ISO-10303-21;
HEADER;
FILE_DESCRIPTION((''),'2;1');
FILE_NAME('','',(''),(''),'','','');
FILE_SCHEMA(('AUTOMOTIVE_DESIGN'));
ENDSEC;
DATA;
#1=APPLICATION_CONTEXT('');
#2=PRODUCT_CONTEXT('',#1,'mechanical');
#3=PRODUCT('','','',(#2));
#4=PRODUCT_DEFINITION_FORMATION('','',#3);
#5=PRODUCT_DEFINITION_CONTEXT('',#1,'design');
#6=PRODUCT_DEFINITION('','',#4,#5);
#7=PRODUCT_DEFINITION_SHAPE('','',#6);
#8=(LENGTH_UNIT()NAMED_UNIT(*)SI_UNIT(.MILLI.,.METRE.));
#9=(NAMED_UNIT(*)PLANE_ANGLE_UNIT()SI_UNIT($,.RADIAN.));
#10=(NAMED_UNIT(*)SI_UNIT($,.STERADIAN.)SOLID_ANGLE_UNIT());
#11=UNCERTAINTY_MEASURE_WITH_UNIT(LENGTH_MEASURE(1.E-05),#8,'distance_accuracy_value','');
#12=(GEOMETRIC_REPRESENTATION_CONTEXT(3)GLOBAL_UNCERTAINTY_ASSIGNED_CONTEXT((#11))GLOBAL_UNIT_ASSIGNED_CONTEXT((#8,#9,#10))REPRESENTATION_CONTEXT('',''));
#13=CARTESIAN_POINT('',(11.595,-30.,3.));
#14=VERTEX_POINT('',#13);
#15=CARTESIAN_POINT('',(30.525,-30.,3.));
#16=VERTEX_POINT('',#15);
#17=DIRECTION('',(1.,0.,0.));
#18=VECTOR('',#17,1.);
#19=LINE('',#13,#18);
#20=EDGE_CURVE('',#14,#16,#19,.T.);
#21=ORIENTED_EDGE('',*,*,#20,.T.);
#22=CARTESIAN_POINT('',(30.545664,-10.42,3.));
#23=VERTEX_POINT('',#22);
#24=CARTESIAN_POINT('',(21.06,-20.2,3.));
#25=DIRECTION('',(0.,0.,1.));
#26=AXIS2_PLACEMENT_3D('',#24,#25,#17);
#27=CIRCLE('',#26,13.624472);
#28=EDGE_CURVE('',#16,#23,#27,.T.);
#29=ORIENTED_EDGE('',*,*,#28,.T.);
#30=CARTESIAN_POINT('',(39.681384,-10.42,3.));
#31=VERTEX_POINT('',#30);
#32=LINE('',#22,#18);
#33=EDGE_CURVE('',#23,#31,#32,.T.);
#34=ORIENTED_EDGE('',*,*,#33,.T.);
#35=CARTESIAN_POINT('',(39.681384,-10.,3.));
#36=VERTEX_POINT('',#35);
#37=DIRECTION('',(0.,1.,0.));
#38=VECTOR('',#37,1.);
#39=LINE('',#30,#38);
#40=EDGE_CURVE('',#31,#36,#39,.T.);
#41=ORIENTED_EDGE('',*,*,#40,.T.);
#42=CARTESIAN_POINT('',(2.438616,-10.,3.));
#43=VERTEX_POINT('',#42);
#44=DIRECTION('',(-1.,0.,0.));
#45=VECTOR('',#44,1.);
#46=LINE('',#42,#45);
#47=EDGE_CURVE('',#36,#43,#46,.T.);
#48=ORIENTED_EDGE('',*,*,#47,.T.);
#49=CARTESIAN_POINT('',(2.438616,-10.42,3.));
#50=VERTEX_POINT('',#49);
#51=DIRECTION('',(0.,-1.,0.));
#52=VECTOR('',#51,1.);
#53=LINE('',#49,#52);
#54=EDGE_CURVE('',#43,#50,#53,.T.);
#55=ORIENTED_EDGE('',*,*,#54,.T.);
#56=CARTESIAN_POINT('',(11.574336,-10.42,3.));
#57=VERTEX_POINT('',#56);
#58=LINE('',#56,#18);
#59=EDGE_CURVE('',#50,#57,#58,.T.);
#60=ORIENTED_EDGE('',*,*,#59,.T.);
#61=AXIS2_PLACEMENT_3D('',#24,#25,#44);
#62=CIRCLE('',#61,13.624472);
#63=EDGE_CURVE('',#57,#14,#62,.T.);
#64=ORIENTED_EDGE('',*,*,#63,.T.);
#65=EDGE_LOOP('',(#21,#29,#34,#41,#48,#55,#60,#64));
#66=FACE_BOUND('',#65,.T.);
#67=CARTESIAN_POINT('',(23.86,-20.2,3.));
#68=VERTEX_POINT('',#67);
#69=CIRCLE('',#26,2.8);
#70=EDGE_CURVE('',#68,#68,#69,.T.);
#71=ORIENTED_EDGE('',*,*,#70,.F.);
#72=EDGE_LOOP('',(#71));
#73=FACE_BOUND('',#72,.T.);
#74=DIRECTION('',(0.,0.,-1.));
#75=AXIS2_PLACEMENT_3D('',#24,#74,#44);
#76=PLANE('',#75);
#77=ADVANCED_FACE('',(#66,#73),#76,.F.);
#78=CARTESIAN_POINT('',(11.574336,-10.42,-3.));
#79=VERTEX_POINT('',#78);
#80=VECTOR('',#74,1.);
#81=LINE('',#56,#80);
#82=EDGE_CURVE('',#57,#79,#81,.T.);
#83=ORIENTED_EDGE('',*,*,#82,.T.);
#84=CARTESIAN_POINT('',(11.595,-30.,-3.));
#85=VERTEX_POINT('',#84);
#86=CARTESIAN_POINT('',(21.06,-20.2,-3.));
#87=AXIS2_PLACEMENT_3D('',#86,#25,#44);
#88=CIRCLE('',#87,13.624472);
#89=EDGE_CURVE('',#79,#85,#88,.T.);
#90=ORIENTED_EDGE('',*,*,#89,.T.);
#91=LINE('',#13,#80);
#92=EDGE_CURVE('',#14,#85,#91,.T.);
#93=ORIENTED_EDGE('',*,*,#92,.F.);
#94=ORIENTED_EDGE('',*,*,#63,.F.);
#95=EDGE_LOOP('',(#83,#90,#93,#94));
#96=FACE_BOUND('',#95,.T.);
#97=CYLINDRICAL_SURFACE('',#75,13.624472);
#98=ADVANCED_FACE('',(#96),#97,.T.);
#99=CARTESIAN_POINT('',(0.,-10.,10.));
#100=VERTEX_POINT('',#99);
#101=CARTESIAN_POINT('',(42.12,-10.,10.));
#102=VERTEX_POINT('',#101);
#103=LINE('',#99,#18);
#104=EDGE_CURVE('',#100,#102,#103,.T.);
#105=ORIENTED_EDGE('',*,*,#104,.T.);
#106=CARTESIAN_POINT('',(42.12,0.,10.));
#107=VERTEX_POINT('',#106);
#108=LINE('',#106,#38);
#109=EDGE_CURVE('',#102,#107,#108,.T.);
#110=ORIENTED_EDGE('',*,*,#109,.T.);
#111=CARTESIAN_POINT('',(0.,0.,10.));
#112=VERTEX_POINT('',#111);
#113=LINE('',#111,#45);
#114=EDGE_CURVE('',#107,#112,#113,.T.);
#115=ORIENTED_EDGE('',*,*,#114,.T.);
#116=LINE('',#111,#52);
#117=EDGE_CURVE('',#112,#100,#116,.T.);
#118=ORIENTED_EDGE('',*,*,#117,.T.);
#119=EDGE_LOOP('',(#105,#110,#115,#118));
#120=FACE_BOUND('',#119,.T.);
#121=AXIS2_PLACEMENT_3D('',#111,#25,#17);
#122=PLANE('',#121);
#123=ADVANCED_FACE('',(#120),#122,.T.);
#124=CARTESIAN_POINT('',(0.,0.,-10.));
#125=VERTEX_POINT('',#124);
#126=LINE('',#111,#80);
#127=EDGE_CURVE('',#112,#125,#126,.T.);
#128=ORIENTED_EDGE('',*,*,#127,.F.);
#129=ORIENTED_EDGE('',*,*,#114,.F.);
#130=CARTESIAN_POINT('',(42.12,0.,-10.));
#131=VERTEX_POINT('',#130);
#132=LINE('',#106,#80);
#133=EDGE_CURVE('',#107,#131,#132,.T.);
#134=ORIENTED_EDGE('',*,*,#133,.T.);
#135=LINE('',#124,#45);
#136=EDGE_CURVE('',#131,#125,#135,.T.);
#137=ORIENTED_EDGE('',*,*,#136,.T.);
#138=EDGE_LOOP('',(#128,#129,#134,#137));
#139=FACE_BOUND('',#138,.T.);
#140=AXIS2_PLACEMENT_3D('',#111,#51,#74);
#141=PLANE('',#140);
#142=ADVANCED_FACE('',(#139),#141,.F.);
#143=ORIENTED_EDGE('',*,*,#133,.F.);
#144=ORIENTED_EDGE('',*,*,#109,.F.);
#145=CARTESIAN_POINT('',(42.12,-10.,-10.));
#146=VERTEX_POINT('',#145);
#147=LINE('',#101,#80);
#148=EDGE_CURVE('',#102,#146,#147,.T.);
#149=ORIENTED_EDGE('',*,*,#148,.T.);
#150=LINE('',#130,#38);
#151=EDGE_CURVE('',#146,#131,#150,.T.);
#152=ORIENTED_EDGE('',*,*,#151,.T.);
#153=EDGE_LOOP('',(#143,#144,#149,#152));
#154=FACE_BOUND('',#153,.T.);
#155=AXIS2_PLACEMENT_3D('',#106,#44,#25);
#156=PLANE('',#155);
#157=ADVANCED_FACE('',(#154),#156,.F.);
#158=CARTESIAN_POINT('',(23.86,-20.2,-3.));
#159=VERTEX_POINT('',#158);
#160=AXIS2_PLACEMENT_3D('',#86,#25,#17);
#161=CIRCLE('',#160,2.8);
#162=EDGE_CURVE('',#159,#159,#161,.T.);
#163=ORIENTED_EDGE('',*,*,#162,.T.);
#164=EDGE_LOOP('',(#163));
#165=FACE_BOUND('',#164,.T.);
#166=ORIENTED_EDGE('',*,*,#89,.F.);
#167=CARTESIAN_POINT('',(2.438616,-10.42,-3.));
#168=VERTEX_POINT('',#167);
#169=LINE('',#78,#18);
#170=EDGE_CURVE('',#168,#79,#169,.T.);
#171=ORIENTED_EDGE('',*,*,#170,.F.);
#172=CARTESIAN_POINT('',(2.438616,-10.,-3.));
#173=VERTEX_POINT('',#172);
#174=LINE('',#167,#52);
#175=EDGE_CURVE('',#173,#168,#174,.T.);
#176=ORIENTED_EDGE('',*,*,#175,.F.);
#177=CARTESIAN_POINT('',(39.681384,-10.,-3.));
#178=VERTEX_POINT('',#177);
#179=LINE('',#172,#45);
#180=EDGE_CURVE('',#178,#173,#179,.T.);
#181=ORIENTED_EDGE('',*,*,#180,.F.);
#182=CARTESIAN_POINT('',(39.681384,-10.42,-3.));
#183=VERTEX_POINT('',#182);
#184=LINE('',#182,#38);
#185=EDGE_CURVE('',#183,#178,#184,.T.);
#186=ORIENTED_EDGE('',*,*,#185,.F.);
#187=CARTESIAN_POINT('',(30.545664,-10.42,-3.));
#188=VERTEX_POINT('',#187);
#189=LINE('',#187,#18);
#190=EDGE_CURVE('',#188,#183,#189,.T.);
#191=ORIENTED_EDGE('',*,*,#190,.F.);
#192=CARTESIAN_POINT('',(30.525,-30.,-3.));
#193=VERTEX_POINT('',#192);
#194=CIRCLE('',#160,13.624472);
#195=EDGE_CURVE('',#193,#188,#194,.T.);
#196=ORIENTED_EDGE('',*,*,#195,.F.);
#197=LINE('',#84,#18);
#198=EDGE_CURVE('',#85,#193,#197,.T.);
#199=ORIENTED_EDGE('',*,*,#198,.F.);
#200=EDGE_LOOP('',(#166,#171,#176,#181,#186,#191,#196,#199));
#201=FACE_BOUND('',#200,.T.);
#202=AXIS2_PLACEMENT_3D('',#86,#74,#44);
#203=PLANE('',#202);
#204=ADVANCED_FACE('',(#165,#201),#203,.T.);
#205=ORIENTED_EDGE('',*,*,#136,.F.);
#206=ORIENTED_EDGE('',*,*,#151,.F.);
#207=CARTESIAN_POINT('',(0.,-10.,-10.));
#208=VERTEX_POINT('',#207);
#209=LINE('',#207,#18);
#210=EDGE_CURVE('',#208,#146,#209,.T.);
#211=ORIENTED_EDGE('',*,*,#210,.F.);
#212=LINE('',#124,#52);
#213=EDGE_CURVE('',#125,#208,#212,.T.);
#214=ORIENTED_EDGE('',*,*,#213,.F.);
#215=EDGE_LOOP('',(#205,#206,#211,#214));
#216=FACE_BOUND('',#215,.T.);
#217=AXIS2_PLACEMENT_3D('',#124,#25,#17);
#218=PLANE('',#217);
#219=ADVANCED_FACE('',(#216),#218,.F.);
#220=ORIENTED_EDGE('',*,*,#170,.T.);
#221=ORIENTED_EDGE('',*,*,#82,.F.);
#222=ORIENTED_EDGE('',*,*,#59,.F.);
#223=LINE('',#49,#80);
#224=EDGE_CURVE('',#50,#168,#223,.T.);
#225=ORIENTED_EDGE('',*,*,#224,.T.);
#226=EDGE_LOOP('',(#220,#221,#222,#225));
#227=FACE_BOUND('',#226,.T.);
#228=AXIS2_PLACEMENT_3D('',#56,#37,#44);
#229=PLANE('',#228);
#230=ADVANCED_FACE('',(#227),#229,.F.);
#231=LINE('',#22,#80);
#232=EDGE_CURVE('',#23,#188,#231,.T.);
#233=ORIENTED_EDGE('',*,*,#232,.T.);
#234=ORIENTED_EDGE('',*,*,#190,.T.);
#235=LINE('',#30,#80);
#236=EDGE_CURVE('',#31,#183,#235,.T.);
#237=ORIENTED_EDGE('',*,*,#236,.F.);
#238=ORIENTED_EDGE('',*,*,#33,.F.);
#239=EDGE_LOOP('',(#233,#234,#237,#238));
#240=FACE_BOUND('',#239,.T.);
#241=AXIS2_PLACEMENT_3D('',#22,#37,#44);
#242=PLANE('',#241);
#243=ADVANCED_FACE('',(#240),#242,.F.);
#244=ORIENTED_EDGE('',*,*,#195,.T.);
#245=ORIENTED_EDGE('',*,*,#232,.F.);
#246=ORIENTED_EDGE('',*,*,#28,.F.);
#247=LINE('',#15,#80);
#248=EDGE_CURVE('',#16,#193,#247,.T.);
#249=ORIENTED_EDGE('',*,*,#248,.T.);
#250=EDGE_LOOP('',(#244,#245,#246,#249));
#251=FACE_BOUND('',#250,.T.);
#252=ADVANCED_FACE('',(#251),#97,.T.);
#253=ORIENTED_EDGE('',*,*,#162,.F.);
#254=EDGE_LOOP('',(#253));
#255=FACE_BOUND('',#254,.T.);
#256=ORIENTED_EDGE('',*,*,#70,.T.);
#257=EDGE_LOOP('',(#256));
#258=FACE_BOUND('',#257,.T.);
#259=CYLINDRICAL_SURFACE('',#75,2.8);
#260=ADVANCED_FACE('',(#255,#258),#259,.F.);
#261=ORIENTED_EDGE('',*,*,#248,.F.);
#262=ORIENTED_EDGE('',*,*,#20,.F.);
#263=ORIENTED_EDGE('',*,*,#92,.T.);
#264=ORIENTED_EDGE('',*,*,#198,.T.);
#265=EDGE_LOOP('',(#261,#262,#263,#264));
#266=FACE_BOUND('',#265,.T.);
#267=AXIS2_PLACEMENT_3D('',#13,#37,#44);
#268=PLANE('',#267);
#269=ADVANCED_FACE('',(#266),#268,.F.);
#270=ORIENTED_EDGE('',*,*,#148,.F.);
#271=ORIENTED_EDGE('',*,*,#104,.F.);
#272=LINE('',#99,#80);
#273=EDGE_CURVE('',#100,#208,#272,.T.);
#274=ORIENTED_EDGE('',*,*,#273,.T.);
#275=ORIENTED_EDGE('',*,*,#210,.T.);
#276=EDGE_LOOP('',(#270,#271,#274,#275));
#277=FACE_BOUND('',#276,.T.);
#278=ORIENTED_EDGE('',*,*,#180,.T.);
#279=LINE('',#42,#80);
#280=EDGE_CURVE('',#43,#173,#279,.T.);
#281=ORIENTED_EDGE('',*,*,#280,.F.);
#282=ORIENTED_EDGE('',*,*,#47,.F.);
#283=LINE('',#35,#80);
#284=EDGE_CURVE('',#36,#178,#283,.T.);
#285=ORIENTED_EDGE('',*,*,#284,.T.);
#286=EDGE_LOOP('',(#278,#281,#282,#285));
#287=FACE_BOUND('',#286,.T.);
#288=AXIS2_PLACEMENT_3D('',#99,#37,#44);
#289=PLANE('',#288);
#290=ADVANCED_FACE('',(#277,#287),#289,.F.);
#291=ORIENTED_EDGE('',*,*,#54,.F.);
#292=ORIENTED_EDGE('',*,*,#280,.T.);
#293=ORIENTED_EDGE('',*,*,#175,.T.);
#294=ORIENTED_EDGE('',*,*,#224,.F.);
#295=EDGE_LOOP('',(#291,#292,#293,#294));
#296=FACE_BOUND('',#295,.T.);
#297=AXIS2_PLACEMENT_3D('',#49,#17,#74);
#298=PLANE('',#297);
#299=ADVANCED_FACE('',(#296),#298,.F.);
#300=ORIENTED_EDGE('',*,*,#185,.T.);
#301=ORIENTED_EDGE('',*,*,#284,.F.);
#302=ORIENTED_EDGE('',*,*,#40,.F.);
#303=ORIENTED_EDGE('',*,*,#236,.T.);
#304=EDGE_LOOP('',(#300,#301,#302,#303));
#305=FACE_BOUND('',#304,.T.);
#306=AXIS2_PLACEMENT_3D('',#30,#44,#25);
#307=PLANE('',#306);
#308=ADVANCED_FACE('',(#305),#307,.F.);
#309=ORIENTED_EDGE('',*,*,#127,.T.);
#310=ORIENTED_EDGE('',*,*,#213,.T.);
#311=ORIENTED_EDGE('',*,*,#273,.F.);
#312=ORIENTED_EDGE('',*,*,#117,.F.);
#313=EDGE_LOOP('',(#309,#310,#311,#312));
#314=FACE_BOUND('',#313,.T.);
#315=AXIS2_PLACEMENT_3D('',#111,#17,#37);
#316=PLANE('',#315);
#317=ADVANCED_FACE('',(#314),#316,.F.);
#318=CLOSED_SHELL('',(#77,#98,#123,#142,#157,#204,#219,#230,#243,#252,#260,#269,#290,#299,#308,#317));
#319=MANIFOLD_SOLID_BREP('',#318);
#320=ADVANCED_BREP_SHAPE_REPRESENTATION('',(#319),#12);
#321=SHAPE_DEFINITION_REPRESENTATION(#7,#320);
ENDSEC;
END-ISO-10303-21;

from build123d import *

# Parameters (mm, degrees)
SKETCH1_W           = 42.12
SKETCH1_H           = 10
BOSS_EXTRUDE1_DEPTH = 10
SKETCH2_R           = 2.8
BOSS_EXTRUDE2_DEPTH = 3


with BuildPart() as part:
    # Sketch1 → Boss-Extrude1 (new, symmetric)
    with BuildSketch(Plane.XY):
        with Locations((21.06, -5)):
            Rectangle(SKETCH1_W, SKETCH1_H)
    extrude(amount=BOSS_EXTRUDE1_DEPTH, both=True)

    # Sketch2 → Boss-Extrude2 (add, symmetric)
    with BuildSketch(Plane.XY):
        with BuildLine():
            Line((11.595, -30), (30.525, -30))
            ThreePointArc((30.525, -30), (34.684463962, -20.214378878), (30.545664183, -10.42))
            Line((30.545664183, -10.42), (39.681383671, -10.42))
            Line((39.681383671, -10.42), (39.681383671, -10))
            Line((39.681383671, -10), (2.438616329, -10))
            Line((2.438616329, -10), (2.438616329, -10.42))
            Line((2.438616329, -10.42), (11.574335817, -10.42))
            ThreePointArc((11.574335817, -10.42), (7.435536038, -20.214378878), (11.595, -30))
        make_face()
        with Locations((21.06, -20.2)):
            Circle(SKETCH2_R, mode=Mode.SUBTRACT)
    extrude(amount=BOSS_EXTRUDE2_DEPTH, both=True)


solid = part.part
